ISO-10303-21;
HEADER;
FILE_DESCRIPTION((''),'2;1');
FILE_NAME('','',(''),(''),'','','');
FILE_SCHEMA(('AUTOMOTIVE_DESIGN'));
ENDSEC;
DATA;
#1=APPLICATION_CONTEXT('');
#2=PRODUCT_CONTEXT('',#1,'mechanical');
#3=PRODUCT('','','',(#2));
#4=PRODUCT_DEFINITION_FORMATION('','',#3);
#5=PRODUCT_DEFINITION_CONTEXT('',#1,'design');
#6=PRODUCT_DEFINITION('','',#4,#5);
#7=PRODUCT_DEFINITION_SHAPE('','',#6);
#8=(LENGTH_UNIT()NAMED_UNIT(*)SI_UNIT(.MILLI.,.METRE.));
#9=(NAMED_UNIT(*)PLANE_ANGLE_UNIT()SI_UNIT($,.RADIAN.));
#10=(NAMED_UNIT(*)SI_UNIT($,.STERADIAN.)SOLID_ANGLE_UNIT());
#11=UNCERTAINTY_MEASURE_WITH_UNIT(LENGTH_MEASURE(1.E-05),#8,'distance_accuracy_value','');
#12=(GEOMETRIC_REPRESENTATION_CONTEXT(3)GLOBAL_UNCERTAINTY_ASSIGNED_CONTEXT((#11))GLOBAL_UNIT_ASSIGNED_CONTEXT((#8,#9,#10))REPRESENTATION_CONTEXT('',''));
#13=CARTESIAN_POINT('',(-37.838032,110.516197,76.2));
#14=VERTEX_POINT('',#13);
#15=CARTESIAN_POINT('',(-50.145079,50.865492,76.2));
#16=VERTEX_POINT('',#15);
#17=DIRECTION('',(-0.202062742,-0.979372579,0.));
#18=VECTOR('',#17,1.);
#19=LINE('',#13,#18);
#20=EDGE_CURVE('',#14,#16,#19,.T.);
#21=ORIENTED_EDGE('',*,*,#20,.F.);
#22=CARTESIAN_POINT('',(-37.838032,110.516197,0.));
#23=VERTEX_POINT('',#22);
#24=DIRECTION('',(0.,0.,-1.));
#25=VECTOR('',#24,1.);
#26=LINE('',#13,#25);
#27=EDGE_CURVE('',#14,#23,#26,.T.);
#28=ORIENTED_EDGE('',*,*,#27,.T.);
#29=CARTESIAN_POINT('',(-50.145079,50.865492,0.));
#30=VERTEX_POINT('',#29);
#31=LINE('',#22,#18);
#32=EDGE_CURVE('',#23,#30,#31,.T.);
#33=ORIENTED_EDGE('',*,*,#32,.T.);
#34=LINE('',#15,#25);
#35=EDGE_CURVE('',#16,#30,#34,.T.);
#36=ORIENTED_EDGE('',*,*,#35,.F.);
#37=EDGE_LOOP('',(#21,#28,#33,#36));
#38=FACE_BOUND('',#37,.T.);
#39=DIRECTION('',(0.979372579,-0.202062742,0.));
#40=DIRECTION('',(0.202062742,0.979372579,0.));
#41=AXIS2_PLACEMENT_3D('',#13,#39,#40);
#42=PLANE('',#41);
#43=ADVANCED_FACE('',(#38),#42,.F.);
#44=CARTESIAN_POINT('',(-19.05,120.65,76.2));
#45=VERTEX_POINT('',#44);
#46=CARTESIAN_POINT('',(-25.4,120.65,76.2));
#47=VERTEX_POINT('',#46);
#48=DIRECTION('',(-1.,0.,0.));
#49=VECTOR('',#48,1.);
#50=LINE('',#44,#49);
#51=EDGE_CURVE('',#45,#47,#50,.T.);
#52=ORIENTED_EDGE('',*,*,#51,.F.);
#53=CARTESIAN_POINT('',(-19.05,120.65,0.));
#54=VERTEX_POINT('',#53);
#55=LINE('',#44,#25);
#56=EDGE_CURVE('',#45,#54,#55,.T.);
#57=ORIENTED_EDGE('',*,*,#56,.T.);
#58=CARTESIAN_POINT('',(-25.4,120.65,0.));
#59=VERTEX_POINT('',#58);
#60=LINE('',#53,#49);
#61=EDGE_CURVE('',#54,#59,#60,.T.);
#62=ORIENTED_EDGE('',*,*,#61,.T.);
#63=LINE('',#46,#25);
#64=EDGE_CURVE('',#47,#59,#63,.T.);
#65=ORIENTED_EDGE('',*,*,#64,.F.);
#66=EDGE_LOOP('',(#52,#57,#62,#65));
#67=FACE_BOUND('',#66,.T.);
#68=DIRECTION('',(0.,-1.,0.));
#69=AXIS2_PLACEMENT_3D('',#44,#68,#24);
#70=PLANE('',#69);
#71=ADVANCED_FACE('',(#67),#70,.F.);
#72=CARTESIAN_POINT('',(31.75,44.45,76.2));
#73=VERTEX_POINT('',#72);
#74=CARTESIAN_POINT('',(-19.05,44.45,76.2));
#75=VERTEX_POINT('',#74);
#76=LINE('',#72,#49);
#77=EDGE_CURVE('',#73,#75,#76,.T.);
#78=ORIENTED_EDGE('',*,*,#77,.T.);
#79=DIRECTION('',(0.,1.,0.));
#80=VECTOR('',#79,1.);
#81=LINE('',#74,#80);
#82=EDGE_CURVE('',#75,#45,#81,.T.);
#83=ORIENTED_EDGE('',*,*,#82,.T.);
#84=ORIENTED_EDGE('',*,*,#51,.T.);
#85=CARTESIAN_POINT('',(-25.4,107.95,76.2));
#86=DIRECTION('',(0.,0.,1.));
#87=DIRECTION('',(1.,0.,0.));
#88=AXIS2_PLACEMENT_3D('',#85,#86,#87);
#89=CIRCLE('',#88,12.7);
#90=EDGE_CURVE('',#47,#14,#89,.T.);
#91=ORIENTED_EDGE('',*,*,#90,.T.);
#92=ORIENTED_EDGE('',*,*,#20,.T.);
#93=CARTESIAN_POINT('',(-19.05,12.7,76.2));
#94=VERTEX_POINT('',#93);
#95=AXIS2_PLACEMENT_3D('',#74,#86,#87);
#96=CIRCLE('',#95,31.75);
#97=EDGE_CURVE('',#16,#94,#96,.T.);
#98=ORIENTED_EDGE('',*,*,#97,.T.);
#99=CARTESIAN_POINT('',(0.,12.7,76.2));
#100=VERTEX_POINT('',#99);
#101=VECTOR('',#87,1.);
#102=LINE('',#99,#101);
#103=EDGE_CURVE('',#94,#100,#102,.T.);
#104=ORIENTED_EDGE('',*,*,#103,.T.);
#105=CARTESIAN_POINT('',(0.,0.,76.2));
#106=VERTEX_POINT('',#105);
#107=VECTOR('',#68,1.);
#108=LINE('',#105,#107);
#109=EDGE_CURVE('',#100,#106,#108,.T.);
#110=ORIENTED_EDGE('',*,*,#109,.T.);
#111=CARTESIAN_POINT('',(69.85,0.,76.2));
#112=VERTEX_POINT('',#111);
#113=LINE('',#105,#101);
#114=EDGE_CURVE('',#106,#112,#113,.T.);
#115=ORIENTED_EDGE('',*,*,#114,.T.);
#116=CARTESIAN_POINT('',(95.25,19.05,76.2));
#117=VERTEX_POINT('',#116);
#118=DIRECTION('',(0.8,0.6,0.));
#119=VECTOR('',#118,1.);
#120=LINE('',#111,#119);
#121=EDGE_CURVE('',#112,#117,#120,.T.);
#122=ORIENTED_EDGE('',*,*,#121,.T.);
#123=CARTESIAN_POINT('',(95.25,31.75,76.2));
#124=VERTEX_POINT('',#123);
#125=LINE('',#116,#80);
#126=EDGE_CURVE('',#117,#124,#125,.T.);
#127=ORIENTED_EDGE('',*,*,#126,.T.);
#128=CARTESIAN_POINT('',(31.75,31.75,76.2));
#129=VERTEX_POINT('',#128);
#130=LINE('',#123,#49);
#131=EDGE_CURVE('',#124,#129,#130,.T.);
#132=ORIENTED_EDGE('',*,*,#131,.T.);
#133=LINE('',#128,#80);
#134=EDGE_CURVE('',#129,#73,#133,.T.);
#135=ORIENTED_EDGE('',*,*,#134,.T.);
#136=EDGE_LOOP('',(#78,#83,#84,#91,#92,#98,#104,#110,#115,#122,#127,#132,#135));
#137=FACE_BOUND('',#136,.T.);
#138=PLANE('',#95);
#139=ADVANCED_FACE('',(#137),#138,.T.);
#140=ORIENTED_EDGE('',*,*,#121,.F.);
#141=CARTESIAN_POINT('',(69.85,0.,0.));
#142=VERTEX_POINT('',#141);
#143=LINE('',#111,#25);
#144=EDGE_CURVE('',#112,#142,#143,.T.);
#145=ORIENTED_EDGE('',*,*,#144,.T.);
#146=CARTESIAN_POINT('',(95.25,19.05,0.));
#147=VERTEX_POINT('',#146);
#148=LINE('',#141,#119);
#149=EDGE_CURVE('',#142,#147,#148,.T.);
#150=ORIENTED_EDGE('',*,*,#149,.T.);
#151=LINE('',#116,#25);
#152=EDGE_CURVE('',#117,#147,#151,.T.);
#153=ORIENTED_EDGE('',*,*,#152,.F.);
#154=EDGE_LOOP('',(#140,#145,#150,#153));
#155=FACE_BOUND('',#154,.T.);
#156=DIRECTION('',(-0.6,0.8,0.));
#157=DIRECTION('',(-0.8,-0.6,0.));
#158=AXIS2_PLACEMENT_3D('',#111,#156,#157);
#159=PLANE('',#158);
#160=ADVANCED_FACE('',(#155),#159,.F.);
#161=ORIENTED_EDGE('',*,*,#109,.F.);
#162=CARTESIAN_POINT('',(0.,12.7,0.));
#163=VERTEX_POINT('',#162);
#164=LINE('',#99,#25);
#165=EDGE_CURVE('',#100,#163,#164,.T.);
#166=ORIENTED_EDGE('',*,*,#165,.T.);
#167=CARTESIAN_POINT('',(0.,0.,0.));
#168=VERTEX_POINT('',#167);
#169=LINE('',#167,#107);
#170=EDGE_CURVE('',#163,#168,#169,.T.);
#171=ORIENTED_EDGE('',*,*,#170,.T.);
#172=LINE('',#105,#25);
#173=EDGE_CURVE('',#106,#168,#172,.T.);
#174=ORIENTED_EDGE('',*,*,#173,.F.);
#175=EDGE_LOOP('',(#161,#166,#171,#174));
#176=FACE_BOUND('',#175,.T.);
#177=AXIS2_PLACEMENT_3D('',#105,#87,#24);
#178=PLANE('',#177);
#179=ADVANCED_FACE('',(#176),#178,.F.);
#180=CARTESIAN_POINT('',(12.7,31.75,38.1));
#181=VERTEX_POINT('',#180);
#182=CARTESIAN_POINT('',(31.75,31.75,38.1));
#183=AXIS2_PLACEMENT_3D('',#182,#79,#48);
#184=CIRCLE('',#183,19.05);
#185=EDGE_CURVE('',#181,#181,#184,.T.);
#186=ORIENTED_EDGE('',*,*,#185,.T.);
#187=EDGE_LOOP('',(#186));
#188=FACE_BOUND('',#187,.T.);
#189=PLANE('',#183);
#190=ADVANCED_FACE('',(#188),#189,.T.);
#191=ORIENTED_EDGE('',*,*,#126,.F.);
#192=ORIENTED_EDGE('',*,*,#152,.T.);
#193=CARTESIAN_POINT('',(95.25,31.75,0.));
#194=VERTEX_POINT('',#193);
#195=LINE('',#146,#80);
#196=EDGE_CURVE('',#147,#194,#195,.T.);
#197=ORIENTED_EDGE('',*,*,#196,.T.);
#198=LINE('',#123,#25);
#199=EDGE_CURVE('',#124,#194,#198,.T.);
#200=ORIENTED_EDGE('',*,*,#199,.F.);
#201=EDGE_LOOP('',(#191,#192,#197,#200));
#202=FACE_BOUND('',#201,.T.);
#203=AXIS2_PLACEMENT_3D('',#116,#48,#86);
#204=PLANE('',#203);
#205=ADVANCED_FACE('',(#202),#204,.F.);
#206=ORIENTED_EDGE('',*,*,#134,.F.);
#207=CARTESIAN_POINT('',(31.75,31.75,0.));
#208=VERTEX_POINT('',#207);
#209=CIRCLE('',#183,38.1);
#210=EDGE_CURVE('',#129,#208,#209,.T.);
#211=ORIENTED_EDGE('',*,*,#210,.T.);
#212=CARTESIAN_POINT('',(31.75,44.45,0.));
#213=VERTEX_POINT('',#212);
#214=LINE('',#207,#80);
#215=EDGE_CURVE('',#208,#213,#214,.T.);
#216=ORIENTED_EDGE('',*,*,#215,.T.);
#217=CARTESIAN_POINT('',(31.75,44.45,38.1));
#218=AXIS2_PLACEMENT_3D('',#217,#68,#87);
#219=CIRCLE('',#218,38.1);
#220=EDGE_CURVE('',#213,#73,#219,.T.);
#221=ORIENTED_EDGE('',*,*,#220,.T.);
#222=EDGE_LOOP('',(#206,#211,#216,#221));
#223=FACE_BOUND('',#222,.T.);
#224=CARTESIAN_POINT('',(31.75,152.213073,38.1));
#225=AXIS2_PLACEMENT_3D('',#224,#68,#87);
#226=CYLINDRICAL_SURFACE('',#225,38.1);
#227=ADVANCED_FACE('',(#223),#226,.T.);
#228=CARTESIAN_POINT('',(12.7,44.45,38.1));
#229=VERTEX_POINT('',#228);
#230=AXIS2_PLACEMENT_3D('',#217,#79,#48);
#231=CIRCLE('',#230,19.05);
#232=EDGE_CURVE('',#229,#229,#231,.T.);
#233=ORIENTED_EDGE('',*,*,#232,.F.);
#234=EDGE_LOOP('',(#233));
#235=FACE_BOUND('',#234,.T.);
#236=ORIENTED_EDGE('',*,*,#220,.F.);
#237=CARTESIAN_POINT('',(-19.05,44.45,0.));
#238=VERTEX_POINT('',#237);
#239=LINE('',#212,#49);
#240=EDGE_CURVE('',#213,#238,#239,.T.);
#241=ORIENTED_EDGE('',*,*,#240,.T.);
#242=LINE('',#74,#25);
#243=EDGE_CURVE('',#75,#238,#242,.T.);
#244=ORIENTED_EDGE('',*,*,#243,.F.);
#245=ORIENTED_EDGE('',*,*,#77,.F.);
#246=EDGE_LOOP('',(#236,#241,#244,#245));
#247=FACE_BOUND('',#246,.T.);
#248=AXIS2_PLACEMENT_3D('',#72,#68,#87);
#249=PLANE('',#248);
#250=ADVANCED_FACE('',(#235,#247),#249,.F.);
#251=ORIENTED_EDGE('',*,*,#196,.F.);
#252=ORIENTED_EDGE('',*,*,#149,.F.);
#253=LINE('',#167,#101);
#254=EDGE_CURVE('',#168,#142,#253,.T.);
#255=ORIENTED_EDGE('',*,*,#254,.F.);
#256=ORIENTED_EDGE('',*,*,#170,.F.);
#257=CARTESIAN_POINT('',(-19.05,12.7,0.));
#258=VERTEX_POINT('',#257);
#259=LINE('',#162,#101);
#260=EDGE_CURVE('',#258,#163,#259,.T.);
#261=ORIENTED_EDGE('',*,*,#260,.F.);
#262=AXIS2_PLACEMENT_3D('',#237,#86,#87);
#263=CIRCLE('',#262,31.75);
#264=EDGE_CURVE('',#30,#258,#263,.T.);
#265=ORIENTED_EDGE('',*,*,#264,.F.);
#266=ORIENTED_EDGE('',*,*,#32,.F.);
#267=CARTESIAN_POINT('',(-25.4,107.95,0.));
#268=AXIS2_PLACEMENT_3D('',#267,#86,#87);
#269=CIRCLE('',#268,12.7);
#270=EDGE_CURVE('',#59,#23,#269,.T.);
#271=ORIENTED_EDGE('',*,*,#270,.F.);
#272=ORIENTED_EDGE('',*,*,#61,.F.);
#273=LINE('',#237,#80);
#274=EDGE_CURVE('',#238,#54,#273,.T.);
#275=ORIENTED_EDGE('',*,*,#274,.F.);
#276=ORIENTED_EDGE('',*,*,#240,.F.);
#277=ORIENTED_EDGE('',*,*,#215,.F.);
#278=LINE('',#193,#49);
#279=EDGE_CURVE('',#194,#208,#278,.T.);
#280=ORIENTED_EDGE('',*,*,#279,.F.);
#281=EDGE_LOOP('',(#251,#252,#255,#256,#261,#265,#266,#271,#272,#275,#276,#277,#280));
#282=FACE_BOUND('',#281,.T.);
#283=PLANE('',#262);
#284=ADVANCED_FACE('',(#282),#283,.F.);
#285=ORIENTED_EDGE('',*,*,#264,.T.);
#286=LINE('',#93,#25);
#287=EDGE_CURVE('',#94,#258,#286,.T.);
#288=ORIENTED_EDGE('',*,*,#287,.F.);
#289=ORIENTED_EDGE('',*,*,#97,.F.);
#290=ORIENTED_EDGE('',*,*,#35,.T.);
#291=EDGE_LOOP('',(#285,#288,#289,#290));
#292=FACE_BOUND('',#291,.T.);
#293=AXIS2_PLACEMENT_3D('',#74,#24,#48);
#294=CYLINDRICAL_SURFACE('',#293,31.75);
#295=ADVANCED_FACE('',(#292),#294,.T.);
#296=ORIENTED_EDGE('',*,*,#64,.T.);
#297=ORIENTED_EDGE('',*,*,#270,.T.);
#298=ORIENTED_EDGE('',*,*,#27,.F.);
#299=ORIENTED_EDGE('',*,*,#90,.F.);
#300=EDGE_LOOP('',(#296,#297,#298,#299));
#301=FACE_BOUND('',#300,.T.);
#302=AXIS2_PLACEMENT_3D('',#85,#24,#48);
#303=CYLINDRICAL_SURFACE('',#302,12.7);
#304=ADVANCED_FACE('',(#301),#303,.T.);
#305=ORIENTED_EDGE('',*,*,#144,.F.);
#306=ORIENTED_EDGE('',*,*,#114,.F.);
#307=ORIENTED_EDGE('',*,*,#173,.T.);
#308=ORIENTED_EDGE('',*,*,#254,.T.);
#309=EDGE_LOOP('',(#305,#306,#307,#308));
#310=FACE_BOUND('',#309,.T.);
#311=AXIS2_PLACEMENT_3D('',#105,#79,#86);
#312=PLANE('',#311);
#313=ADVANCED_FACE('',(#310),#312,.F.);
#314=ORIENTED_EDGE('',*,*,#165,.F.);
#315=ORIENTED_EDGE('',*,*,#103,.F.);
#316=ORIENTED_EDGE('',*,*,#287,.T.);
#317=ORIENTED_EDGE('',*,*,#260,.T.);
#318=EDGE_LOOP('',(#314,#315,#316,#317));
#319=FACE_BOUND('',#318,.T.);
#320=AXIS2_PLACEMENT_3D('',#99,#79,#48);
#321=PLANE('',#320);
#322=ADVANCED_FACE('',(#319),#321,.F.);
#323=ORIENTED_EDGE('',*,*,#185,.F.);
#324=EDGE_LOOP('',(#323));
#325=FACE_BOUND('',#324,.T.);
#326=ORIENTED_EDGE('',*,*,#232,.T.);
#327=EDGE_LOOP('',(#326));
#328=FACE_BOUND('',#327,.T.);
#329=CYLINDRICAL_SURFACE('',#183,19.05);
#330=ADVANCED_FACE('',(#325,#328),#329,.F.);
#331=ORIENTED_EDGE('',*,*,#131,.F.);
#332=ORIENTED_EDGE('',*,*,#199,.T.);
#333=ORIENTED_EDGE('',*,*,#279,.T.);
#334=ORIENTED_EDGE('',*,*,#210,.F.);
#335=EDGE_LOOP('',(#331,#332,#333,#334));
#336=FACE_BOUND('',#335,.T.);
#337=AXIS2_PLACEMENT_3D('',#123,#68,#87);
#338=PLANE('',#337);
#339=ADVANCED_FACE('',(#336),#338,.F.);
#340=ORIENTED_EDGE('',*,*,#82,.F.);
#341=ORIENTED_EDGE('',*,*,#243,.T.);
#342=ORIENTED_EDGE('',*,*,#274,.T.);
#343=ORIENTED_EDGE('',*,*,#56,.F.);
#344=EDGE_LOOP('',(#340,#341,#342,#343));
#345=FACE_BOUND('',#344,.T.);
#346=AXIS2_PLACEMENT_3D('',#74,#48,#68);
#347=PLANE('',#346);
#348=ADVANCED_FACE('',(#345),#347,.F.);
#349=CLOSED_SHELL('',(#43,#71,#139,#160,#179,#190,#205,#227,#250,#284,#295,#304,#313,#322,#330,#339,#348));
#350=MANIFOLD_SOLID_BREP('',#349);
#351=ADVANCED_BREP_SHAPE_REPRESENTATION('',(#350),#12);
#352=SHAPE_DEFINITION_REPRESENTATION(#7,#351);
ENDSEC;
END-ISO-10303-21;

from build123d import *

# Parameters (mm, degrees)
BOSS_EXTRUDE1_DEPTH = 76.2
SKETCH3_R           = 38.1
BOSS_EXTRUDE2_DEPTH = 12.7
SKETCH4_R           = 19.05
CUT_EXTRUDE1_DEPTH  = 12.7


with BuildPart() as part:
    # Sketch1 → Boss-Extrude1 (new body)
    with BuildSketch(Plane.XY):
        with BuildLine():
            Line((0, 0), (69.85, 0))
            Line((69.85, 0), (95.25, 19.05))
            Line((95.25, 19.05), (95.25, 31.75))
            Line((95.25, 31.75), (31.75, 31.75))
            Line((31.75, 31.75), (31.75, 44.45))
            Line((31.75, 44.45), (-19.05, 44.45))
            Line((-19.05, 44.45), (-19.05, 120.65))
            Line((-19.05, 120.65), (-25.4, 120.65))
            ThreePointArc((-25.4, 120.65), (-33.421823369, 117.795829058), (-37.838031752, 110.516196825))
            Line((-37.838031752, 110.516196825), (-50.145079379, 50.865492062))
            ThreePointArc((-50.145079379, 50.865492062), (-43.664572645, 24.395441578), (-19.05, 12.7))
            Line((-19.05, 12.7), (0, 12.7))
            Line((0, 12.7), (0, 0))
        make_face()
    extrude(amount=BOSS_EXTRUDE1_DEPTH)

    # Sketch3 → Boss-Extrude2 (add)
    with BuildSketch(Plane(origin=(0, 31.75, 0), x_dir=(1, 0, 0), z_dir=(0, 1, 0))):
        with Locations((31.75, -38.1)):
            Circle(SKETCH3_R)
    extrude(amount=BOSS_EXTRUDE2_DEPTH)

    # Sketch4 → Cut-Extrude1 (cut)
    with BuildSketch(Plane(origin=(0, 44.45, 0), x_dir=(1, 0, 0), z_dir=(0, 1, 0))):
        with Locations(Location((31.75, -38.1, 0), (0, 0, 180))):
            Circle(SKETCH4_R)
    extrude(amount=-CUT_EXTRUDE1_DEPTH, mode=Mode.SUBTRACT)


solid = part.part
